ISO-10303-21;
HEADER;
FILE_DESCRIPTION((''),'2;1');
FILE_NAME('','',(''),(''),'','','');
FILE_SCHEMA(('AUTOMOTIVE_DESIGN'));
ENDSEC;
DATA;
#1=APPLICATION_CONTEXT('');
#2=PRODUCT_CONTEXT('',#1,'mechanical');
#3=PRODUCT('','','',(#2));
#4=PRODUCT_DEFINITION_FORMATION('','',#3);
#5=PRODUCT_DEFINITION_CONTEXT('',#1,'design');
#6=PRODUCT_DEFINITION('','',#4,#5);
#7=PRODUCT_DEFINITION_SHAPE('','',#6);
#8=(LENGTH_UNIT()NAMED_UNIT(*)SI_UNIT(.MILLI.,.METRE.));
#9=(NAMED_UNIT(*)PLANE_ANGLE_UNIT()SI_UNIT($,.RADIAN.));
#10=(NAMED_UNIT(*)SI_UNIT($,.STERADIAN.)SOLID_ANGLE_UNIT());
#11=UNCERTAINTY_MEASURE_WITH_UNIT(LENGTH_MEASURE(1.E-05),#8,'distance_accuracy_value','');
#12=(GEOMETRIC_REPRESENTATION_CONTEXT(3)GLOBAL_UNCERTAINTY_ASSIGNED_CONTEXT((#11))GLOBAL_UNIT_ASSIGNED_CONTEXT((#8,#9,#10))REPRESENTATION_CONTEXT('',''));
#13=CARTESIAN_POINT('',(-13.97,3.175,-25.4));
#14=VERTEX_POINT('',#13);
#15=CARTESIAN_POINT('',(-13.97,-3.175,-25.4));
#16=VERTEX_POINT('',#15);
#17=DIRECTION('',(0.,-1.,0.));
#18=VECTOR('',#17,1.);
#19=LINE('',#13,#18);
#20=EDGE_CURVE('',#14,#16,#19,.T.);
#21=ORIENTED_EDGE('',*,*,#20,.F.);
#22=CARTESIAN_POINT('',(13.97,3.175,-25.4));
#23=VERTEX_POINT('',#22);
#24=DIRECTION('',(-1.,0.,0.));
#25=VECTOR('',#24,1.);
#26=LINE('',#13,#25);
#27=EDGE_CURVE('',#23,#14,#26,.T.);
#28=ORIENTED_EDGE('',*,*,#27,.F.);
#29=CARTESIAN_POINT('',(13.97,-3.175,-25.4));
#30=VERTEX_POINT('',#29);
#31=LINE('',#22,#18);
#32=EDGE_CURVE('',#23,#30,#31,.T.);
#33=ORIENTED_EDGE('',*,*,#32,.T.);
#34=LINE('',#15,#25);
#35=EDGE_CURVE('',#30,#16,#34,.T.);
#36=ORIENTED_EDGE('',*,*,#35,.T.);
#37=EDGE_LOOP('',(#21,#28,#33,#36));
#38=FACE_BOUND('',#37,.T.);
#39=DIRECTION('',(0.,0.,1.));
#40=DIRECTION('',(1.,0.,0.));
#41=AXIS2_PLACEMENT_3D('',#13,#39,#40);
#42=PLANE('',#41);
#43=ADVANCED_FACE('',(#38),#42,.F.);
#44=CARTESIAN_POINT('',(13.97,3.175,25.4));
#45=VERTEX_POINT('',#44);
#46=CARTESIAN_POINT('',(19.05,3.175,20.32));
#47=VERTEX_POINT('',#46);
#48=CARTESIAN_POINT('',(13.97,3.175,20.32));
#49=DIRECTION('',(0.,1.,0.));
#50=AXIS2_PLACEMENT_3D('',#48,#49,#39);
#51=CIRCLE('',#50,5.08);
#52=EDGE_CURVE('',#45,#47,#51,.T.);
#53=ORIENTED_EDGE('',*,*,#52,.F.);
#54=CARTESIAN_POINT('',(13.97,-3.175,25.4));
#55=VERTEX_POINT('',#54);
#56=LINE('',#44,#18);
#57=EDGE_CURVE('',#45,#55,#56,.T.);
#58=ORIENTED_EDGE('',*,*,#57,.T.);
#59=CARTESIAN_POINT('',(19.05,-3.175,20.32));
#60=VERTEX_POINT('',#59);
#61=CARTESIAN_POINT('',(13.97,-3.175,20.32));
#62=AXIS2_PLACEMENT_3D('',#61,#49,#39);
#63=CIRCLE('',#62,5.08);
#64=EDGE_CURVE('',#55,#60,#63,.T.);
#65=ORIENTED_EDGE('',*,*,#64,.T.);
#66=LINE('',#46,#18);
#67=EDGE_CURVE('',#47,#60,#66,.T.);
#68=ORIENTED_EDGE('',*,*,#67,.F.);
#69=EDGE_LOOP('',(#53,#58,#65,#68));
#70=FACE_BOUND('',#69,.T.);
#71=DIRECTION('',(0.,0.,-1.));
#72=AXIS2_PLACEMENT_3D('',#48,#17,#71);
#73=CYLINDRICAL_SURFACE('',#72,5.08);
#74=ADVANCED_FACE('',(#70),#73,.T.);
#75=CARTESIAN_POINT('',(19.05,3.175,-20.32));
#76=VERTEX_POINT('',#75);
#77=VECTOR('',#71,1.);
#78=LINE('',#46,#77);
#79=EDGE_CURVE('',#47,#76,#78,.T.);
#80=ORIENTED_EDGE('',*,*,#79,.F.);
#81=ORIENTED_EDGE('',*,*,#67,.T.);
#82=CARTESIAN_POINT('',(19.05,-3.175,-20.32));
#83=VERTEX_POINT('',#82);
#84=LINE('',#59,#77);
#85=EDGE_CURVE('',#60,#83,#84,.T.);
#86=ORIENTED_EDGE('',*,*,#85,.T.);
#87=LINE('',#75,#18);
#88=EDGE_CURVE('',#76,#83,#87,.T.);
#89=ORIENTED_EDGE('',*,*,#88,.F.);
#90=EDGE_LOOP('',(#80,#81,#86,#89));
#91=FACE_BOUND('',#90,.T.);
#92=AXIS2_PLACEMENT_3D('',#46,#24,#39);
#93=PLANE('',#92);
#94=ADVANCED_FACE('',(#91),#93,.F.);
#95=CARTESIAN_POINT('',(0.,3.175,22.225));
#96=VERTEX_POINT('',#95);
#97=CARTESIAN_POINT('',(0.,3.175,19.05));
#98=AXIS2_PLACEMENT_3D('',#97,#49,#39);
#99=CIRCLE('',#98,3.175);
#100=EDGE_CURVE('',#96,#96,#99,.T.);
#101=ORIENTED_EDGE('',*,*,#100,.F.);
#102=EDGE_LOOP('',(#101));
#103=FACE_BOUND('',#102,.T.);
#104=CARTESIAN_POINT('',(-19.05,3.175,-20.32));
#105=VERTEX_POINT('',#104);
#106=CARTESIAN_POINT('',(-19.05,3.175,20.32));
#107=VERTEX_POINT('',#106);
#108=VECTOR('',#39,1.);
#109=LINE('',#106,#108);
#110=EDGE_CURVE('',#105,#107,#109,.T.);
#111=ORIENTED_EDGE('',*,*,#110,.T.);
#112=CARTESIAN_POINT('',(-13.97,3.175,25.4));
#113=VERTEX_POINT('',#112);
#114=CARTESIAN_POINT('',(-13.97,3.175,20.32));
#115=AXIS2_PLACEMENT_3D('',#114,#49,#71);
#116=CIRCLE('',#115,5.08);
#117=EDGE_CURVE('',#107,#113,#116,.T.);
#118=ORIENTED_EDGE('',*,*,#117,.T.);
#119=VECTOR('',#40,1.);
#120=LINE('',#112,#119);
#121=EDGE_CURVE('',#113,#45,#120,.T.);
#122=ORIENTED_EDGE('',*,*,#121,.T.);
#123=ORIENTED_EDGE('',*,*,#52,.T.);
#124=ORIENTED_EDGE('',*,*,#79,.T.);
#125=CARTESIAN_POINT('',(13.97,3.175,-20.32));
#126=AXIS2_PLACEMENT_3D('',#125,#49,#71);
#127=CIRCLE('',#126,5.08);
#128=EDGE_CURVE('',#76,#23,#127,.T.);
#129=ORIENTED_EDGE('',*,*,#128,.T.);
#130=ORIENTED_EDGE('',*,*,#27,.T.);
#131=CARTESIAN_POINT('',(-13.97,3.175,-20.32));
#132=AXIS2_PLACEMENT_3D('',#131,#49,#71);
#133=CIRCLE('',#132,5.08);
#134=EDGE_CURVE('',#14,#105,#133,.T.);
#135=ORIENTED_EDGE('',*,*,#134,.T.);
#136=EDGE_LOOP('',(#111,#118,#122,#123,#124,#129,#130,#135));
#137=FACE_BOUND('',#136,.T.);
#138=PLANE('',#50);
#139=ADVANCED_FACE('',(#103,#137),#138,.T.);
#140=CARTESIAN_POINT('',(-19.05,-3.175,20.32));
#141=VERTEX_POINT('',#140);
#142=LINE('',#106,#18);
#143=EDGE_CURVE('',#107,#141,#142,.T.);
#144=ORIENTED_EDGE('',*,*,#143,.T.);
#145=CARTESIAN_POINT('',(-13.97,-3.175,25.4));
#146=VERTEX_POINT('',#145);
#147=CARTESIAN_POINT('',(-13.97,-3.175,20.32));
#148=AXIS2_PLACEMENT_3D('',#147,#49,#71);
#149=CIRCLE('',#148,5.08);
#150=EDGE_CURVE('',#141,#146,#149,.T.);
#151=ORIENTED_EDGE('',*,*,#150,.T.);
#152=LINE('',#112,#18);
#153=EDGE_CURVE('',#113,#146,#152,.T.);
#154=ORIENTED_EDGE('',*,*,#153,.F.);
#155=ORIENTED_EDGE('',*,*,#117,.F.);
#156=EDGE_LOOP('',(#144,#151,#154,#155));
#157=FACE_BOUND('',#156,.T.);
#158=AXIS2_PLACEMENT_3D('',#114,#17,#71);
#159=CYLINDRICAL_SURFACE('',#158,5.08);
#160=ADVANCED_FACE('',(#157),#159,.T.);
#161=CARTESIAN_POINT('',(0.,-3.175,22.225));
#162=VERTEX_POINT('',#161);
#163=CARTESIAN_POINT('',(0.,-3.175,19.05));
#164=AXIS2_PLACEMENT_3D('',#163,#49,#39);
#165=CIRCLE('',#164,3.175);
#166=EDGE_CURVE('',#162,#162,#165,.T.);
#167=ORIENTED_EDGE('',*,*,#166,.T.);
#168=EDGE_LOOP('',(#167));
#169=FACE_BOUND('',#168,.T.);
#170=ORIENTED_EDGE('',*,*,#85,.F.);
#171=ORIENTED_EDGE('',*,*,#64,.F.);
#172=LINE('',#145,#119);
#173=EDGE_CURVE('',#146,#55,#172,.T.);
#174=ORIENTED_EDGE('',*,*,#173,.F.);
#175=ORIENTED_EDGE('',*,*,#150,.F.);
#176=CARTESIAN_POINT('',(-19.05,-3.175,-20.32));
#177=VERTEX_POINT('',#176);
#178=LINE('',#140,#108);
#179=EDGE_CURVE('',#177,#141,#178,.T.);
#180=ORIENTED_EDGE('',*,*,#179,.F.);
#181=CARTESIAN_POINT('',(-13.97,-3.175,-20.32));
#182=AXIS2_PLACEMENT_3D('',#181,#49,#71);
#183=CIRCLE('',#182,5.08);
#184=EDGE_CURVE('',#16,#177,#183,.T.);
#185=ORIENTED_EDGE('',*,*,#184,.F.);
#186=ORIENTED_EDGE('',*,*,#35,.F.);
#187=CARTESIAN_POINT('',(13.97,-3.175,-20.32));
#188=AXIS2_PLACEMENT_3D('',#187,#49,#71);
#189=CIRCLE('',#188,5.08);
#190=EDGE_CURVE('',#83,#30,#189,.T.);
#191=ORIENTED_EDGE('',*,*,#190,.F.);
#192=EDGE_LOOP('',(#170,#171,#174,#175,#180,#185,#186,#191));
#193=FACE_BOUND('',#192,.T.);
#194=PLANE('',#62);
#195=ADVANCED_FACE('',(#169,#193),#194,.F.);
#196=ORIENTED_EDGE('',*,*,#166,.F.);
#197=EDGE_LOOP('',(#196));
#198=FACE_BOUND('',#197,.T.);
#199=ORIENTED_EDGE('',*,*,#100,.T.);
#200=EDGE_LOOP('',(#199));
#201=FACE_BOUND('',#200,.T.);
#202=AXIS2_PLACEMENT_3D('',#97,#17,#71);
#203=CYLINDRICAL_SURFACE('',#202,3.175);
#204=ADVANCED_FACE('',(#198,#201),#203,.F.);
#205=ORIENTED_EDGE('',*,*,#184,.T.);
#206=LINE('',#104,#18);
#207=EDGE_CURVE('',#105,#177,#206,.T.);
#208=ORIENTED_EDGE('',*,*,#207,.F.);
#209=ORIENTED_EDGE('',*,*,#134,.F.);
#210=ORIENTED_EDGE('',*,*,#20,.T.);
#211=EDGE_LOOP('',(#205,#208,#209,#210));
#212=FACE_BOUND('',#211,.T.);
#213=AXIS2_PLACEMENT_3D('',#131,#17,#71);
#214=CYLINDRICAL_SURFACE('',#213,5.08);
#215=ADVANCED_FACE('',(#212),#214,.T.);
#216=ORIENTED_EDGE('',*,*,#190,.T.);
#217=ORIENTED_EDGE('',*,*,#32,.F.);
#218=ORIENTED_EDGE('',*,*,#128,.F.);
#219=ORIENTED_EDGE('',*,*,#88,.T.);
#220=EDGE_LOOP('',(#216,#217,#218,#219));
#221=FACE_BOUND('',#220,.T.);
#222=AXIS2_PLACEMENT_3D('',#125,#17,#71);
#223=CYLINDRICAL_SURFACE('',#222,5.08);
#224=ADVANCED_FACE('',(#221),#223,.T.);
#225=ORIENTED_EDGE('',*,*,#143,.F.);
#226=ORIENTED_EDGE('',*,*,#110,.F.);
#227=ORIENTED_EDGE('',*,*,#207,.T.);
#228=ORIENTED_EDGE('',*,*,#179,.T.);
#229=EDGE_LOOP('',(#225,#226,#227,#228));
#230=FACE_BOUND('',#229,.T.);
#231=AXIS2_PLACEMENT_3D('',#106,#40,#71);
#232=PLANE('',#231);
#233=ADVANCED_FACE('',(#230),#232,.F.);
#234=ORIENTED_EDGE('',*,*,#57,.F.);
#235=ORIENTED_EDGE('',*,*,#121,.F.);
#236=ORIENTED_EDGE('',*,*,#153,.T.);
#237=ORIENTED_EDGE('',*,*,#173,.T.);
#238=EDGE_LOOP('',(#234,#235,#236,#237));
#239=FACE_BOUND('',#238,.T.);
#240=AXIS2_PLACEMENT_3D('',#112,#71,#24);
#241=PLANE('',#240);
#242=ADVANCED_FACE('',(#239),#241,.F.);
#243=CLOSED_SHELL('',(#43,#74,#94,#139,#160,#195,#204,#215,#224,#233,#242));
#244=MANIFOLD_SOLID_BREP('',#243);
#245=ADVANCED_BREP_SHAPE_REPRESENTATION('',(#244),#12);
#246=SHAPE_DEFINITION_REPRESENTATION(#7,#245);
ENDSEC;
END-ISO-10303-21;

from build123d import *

# Parameters (mm, degrees)
SKETCH2_R           = 3.175
BOSS_EXTRUDE1_DEPTH = 3.175


with BuildPart() as part:
    # Sketch2 → Boss-Extrude1 (new, symmetric)
    with BuildSketch(Plane(origin=(0, 0, 0), x_dir=(1, 0, 0), z_dir=(0, 1, 0))):
        with BuildLine():
            Line((-13.97, -25.4), (13.97, -25.4))
            ThreePointArc((13.97, -25.4), (17.562102448, -23.912102448), (19.05, -20.32))
            Line((19.05, -20.32), (19.05, 20.32))
            ThreePointArc((19.05, 20.32), (17.562102448, 23.912102448), (13.97, 25.4))
            Line((13.97, 25.4), (-13.97, 25.4))
            ThreePointArc((-13.97, 25.4), (-17.562102448, 23.912102448), (-19.05, 20.32))
            Line((-19.05, 20.32), (-19.05, -20.32))
            ThreePointArc((-19.05, -20.32), (-17.562102448, -23.912102448), (-13.97, -25.4))
        make_face()
        with Locations(Location((0, -19.05, 0), (0, 0, 270))):
            Circle(SKETCH2_R, mode=Mode.SUBTRACT)
    extrude(amount=BOSS_EXTRUDE1_DEPTH, both=True)


solid = part.part
